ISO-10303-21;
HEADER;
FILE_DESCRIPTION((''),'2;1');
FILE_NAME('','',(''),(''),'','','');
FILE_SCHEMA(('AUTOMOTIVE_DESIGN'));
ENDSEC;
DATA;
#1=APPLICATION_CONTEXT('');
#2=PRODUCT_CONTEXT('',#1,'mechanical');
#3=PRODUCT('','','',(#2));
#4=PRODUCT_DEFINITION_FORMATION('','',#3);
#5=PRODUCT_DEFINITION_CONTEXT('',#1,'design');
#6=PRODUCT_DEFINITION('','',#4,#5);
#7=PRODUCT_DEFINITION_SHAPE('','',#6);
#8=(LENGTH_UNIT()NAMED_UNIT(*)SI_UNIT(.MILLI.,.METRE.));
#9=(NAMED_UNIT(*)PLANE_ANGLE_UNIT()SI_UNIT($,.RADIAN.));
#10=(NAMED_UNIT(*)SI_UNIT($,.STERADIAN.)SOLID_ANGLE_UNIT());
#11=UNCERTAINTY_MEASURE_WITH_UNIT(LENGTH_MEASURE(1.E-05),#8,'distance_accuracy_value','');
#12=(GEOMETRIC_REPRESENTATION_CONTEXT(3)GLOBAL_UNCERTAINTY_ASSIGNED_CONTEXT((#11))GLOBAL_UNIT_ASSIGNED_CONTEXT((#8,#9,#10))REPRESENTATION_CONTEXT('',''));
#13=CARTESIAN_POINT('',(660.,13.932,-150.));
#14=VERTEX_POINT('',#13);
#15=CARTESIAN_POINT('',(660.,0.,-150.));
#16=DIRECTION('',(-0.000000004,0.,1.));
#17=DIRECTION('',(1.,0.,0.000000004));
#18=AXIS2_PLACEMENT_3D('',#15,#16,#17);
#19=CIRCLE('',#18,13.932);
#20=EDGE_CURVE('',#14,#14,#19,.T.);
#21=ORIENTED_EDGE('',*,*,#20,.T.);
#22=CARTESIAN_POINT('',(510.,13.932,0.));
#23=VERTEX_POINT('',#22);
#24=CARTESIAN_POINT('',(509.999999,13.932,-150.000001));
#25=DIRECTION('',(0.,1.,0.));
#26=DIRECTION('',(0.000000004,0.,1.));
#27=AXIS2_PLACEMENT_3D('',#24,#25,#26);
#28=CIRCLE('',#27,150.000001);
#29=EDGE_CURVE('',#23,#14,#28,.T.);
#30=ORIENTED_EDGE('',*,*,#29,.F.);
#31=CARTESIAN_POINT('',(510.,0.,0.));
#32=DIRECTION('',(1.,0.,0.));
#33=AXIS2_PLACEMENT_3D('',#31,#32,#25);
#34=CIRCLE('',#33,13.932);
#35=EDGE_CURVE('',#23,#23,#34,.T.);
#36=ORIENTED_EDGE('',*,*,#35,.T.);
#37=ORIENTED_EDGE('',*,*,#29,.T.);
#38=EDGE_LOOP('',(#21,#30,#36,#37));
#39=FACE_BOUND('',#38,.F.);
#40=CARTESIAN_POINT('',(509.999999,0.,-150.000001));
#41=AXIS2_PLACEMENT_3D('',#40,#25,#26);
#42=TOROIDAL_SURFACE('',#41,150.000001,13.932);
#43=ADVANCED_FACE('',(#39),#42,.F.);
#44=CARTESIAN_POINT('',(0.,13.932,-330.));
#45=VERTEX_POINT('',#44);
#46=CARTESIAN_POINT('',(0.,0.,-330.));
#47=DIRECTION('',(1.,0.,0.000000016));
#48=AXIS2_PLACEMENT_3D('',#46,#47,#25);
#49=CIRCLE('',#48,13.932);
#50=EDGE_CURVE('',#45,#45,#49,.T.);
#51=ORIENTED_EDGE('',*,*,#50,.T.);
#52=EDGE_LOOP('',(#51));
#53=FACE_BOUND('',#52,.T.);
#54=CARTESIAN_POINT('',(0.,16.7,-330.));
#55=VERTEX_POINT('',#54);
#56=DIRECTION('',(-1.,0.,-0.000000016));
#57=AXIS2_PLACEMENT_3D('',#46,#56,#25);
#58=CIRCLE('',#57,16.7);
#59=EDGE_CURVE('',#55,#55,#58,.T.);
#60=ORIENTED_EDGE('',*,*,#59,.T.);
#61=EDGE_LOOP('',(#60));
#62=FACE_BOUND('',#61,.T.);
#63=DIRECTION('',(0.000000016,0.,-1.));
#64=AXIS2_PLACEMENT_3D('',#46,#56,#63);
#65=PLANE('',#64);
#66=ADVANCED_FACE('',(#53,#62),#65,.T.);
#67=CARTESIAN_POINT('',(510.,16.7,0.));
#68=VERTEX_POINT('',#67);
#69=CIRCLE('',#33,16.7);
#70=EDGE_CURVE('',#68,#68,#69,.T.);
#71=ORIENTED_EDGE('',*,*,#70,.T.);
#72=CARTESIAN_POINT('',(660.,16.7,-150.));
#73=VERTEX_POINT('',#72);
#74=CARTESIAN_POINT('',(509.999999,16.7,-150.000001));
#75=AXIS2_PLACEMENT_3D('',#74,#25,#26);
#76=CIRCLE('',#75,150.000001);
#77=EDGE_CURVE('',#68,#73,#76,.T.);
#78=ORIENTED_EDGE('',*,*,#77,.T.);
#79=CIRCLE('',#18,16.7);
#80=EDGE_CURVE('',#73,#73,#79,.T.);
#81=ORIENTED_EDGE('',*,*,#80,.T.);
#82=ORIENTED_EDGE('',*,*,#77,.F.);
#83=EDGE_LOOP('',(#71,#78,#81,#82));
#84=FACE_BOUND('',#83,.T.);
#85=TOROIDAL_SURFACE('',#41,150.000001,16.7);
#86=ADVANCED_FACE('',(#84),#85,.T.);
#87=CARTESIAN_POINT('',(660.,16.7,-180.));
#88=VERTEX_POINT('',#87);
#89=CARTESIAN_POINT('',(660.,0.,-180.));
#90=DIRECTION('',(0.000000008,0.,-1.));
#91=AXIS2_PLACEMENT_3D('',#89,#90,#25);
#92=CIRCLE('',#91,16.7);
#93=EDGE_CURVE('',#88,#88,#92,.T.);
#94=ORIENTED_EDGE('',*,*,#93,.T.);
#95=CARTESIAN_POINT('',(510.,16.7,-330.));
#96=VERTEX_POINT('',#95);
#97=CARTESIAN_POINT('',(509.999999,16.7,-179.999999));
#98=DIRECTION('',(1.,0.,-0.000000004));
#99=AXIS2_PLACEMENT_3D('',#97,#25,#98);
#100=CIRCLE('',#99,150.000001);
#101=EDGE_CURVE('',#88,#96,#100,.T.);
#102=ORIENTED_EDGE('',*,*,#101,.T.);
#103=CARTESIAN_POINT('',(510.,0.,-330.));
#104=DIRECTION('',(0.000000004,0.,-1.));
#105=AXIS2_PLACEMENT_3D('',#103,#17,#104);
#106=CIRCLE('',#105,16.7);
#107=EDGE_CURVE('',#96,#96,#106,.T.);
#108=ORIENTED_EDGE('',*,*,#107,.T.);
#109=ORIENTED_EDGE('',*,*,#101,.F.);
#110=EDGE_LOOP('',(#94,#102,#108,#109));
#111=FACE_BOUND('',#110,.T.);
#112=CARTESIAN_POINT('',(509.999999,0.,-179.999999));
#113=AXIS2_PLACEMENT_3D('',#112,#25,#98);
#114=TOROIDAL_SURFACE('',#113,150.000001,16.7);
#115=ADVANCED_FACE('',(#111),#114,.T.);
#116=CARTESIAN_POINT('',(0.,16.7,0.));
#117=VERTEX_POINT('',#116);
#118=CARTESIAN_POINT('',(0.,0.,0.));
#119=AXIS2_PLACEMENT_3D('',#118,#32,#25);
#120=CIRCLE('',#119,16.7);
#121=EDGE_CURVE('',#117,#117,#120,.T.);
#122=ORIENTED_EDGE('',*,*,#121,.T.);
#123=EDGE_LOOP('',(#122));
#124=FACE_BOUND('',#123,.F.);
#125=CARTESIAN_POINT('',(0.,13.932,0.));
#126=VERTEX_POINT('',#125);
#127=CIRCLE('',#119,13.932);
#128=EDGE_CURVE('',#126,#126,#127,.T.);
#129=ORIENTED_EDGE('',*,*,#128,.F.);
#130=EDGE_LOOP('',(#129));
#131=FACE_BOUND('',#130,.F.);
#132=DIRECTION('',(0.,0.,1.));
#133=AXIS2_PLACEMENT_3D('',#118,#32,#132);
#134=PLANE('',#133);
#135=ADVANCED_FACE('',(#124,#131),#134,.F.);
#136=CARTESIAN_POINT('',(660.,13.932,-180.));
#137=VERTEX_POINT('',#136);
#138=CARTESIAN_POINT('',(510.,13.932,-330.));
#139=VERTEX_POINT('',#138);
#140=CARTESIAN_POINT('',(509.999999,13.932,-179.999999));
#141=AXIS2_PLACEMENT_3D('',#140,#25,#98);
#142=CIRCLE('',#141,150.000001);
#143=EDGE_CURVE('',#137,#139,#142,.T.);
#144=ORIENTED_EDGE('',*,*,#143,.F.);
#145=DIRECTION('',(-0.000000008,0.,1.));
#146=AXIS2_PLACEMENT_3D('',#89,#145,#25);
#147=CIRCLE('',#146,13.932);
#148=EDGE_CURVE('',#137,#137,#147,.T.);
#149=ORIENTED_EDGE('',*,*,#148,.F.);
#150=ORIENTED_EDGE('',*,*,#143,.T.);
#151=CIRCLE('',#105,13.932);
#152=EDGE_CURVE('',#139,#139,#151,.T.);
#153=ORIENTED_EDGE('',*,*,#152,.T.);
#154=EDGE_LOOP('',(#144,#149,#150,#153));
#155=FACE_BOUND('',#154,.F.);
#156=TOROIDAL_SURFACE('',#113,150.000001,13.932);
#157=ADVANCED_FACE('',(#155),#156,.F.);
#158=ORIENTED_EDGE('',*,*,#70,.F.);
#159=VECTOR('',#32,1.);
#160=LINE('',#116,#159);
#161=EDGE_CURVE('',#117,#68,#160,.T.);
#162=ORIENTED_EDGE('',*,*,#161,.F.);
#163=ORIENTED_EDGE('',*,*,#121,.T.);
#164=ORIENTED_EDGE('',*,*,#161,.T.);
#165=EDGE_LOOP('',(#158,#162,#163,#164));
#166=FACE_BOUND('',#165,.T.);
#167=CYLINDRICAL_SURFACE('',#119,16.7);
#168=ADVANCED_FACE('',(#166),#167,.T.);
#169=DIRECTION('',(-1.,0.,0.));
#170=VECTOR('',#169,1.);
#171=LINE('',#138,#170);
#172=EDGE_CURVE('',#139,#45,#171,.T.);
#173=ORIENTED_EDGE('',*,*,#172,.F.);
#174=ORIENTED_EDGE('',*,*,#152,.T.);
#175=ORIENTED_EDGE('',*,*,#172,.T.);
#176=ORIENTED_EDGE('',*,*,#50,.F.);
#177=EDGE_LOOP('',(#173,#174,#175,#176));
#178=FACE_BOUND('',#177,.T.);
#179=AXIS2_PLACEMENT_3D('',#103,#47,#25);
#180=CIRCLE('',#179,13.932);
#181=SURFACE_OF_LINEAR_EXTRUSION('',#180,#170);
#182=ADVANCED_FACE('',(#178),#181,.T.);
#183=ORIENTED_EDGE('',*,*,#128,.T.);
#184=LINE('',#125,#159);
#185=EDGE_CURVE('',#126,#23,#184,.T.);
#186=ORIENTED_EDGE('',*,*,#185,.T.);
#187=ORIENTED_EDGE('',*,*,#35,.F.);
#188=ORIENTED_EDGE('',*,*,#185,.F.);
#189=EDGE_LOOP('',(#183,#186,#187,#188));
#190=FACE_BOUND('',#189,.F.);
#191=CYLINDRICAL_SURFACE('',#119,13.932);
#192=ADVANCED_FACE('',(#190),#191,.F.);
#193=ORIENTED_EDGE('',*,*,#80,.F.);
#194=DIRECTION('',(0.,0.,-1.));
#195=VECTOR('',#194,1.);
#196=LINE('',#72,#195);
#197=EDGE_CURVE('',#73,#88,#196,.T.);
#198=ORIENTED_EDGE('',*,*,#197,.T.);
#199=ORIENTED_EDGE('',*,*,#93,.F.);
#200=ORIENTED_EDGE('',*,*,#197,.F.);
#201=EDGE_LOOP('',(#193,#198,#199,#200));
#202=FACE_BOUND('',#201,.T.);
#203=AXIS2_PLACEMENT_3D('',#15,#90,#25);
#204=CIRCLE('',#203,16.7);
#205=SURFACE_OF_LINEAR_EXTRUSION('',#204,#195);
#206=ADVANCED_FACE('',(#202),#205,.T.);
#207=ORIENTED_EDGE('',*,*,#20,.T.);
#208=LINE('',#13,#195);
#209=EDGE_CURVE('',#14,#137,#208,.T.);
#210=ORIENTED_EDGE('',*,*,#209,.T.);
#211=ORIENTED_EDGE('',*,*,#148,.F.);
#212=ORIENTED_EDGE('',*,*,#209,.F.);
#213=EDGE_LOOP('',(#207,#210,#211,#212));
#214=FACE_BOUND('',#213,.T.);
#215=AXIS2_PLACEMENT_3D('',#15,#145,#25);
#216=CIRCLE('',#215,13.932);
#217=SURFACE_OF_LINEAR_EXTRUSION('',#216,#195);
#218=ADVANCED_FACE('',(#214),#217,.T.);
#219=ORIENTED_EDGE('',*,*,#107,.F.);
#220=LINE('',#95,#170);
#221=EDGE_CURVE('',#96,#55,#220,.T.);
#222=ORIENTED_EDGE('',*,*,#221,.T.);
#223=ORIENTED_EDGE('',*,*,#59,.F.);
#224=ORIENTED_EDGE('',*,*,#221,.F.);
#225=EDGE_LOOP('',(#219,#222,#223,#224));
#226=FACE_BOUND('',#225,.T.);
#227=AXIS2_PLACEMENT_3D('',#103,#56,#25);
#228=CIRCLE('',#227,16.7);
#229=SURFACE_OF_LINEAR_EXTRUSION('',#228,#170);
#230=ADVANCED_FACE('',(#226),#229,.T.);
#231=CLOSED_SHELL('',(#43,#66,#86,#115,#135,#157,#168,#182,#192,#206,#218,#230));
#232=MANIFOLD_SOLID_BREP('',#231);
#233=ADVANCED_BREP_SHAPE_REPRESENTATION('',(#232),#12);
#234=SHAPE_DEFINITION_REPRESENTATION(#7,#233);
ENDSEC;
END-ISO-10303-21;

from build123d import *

# Parameters (mm, degrees)
F1_R   = 16.7
F1_R_2 = 13.932


with BuildPart() as f2:
    # F2: sweep along a path in F0
    with BuildLine(Plane.XZ) as f2_path:
        Line((0, 0), (510, 0))
        ThreePointArc((510, 0), (616.066017, -43.933983), (660, -150))
        Line((660, -150), (660, -180))
        ThreePointArc((660, -180), (616.066017, -286.066017), (510, -330))
        Line((510, -330), (0, -330))
    # F1 (on Right) → F2 (sweep)
    with BuildSketch(Plane.YZ):
        Circle(F1_R)
        Circle(F1_R_2, mode=Mode.SUBTRACT)
    sweep(path=f2_path.line)


solid = f2.part
